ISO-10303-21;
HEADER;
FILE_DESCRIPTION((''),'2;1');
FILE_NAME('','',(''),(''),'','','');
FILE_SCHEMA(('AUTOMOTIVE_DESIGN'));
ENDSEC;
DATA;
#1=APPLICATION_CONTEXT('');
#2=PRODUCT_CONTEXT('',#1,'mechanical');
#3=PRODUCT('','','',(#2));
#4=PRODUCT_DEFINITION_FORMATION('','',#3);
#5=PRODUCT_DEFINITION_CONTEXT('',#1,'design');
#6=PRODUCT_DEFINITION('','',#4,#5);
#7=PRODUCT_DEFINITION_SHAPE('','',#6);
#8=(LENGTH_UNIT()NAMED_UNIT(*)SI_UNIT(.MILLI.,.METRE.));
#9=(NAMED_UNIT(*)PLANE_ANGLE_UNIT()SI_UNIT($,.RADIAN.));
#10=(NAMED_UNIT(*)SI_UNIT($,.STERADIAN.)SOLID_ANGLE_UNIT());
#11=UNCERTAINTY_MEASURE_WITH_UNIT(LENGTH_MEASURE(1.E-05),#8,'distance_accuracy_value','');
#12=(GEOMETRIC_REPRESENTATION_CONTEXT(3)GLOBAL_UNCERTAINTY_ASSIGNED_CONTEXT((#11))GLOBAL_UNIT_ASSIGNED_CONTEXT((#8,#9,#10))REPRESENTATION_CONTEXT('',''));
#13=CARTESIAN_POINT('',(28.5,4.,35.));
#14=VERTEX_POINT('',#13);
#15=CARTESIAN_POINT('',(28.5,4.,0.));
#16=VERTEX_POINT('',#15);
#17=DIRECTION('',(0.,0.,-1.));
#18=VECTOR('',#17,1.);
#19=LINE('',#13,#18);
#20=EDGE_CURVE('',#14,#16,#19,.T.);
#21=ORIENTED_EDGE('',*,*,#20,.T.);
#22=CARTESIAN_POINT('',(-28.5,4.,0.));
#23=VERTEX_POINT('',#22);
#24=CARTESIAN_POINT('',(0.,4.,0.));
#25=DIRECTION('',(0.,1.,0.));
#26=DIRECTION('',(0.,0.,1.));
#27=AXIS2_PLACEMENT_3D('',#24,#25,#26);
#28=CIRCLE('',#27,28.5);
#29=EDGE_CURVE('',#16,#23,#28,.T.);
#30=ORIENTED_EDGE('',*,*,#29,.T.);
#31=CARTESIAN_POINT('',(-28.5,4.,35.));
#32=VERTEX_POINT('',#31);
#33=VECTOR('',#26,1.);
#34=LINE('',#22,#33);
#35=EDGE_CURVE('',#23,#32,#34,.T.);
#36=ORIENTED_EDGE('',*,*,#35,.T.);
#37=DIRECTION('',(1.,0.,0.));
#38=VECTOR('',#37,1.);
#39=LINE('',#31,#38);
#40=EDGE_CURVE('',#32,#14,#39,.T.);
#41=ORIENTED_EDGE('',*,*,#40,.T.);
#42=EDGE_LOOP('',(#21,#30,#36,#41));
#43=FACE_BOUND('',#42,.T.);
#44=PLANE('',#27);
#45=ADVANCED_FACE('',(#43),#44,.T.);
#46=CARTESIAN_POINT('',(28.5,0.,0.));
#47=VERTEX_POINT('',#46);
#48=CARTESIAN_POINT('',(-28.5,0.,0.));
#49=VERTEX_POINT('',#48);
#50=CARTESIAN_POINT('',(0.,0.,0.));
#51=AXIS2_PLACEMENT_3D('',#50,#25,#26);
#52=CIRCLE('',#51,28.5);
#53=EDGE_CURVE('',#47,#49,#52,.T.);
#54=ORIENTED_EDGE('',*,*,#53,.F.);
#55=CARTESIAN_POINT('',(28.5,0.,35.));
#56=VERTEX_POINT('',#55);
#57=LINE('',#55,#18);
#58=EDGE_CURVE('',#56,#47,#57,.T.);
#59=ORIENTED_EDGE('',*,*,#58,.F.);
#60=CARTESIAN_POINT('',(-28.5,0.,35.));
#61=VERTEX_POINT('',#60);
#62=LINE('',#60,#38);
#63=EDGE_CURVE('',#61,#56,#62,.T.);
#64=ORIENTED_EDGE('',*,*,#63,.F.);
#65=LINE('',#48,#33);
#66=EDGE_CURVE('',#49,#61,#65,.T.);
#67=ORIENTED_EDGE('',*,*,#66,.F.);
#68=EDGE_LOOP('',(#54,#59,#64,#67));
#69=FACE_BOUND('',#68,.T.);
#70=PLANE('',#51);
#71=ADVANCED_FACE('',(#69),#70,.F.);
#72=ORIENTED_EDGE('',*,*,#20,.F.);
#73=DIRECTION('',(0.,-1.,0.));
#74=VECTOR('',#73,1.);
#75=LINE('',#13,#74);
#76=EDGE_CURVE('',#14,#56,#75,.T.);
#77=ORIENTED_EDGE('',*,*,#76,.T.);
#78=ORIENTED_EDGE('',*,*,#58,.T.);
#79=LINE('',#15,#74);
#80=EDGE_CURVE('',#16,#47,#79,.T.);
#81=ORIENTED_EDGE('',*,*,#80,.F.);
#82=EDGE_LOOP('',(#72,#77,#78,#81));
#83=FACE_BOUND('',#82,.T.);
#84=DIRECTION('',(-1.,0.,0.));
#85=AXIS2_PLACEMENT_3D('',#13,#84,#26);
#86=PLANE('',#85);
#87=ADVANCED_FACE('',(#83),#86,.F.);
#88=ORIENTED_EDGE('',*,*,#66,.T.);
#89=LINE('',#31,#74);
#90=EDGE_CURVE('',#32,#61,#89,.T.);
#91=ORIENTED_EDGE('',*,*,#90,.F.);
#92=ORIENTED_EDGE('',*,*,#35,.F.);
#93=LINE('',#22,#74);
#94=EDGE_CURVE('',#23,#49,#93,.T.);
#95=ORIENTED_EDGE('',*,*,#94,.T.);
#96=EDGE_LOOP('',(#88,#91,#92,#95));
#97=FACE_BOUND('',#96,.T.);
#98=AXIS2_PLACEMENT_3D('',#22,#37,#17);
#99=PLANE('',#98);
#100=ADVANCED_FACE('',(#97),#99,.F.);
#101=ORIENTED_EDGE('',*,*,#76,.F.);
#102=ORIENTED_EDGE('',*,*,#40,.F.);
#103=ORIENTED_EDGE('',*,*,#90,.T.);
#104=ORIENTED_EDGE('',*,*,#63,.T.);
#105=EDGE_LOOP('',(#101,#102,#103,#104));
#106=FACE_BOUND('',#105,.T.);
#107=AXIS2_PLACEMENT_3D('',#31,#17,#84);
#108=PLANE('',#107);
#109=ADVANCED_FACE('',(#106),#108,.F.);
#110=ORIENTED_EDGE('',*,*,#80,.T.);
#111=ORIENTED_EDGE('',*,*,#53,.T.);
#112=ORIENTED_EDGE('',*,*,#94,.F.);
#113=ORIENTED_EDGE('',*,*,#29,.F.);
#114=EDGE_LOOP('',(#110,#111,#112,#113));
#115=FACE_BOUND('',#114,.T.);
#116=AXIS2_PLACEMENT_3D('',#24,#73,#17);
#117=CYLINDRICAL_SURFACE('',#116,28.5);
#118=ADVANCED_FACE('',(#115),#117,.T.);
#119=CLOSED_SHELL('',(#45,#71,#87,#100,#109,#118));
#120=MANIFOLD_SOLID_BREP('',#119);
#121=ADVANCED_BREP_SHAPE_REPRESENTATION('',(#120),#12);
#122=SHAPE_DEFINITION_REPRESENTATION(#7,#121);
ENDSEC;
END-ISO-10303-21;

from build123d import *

# Parameters (mm, degrees)
EXTRUDE_1_DEPTH = 4


with BuildPart() as part:
    # 草图1 → 凸台-拉伸1 (new body)
    with BuildSketch(Plane(origin=(0, 0, 0), x_dir=(1, 0, 0), z_dir=(0, 1, 0))):
        with BuildLine():
            Line((-28.5, 0), (-28.5, -35))
            Line((-28.5, -35), (28.5, -35))
            Line((28.5, -35), (28.5, 0))
            ThreePointArc((28.5, 0), (0, 28.5), (-28.5, 0))
        make_face()
    extrude(amount=EXTRUDE_1_DEPTH)


solid = part.part
